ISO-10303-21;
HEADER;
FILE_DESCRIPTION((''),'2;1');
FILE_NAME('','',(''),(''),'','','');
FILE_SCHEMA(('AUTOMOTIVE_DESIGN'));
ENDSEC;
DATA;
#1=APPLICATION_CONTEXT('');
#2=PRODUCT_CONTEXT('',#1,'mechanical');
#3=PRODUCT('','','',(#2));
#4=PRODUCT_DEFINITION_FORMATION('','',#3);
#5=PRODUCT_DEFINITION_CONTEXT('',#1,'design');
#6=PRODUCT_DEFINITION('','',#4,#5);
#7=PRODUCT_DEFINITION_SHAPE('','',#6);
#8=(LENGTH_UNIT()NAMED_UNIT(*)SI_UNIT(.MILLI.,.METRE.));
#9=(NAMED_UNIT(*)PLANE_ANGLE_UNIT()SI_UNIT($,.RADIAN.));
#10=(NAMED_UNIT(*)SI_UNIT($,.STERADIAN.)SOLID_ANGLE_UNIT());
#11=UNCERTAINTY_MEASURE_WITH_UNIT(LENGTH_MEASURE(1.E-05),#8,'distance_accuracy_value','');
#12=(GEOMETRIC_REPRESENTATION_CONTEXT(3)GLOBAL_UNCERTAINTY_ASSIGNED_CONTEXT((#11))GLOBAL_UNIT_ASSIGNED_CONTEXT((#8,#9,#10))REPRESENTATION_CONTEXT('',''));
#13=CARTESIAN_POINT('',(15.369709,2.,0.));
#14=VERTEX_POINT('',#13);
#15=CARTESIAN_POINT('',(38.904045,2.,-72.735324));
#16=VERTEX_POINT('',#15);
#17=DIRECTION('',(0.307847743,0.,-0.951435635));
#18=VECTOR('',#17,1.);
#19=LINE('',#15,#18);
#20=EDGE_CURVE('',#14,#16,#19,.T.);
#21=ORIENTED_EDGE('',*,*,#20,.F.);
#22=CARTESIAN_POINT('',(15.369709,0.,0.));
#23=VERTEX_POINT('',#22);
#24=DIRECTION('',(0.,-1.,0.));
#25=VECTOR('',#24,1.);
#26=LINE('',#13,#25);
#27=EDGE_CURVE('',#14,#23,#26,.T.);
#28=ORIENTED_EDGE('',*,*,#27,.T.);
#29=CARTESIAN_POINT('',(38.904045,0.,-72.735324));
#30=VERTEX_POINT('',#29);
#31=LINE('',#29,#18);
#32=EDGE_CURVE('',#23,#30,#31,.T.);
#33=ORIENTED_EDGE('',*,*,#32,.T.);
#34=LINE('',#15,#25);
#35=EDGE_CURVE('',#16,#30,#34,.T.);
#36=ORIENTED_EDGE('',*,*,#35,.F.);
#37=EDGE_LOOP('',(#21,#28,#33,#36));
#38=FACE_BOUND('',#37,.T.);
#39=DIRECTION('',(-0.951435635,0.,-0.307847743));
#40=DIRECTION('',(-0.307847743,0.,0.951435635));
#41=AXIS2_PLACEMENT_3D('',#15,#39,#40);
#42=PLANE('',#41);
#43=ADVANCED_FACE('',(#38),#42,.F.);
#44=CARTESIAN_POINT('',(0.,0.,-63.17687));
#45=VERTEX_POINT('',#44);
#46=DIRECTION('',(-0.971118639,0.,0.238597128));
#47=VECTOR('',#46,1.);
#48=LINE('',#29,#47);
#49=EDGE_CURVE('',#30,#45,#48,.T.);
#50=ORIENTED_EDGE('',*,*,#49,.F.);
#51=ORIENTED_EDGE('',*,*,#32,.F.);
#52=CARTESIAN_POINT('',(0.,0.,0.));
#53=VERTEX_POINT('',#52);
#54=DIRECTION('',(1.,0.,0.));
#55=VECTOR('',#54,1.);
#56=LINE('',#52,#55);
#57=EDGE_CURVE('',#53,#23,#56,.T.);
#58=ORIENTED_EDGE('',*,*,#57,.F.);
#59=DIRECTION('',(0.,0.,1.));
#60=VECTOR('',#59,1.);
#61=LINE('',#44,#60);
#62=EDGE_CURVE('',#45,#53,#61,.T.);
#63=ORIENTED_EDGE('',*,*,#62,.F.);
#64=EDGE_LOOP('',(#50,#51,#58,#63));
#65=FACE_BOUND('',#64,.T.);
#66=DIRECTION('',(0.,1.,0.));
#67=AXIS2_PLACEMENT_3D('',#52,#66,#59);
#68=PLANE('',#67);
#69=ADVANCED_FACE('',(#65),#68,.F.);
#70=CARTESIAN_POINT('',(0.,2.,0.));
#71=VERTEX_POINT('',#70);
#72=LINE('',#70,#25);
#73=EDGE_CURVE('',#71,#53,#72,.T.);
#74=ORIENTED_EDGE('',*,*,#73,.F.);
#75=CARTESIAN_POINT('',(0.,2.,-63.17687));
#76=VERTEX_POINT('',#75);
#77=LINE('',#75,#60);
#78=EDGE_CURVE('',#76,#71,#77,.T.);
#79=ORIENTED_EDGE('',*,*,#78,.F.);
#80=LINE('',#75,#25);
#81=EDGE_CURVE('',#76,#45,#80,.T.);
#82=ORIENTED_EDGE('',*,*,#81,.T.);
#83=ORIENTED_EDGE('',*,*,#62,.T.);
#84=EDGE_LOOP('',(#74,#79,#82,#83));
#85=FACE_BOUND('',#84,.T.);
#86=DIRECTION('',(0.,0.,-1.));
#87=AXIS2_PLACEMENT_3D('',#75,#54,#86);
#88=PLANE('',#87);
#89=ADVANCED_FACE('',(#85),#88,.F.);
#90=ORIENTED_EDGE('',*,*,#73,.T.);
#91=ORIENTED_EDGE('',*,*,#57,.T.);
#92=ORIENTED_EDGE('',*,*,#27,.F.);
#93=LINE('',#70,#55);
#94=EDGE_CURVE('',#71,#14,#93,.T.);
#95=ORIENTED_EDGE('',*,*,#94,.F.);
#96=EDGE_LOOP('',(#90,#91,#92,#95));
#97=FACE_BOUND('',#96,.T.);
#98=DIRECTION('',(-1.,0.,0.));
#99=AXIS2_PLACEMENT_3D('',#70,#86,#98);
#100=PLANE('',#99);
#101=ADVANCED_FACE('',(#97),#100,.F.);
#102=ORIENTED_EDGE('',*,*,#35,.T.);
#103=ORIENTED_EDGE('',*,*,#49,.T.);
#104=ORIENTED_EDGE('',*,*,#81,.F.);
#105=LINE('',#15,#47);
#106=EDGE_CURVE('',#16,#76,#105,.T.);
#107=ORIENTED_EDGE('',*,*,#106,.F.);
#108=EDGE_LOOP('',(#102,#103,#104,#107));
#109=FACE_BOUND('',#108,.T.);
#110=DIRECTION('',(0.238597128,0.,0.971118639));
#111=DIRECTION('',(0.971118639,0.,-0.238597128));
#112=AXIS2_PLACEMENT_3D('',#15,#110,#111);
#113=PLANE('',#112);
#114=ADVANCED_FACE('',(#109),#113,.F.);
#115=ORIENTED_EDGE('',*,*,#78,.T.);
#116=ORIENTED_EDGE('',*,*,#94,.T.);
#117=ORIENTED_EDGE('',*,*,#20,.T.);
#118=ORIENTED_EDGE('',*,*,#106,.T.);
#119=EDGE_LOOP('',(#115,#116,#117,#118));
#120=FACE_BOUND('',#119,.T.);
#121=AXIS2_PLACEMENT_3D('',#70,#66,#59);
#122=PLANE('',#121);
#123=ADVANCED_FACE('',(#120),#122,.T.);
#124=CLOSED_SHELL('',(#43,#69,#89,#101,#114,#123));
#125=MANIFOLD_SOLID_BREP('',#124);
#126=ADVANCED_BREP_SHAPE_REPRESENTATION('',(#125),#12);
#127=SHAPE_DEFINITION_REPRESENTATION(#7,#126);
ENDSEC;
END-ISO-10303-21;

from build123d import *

# Parameters (mm, degrees)
BOSS_EXTRU_1_DEPTH = 2


with BuildPart() as part:
    # Esquisse1 → Boss.-Extru.1 (new body)
    with BuildSketch(Plane(origin=(0, 0, 0), x_dir=(1, 0, 0), z_dir=(0, 1, 0))):
        Polygon((38.904044699, 72.735324071), (0, 63.176869577), (0, 0), (15.369709253, 0), align=None)
    extrude(amount=BOSS_EXTRU_1_DEPTH)


solid = part.part
